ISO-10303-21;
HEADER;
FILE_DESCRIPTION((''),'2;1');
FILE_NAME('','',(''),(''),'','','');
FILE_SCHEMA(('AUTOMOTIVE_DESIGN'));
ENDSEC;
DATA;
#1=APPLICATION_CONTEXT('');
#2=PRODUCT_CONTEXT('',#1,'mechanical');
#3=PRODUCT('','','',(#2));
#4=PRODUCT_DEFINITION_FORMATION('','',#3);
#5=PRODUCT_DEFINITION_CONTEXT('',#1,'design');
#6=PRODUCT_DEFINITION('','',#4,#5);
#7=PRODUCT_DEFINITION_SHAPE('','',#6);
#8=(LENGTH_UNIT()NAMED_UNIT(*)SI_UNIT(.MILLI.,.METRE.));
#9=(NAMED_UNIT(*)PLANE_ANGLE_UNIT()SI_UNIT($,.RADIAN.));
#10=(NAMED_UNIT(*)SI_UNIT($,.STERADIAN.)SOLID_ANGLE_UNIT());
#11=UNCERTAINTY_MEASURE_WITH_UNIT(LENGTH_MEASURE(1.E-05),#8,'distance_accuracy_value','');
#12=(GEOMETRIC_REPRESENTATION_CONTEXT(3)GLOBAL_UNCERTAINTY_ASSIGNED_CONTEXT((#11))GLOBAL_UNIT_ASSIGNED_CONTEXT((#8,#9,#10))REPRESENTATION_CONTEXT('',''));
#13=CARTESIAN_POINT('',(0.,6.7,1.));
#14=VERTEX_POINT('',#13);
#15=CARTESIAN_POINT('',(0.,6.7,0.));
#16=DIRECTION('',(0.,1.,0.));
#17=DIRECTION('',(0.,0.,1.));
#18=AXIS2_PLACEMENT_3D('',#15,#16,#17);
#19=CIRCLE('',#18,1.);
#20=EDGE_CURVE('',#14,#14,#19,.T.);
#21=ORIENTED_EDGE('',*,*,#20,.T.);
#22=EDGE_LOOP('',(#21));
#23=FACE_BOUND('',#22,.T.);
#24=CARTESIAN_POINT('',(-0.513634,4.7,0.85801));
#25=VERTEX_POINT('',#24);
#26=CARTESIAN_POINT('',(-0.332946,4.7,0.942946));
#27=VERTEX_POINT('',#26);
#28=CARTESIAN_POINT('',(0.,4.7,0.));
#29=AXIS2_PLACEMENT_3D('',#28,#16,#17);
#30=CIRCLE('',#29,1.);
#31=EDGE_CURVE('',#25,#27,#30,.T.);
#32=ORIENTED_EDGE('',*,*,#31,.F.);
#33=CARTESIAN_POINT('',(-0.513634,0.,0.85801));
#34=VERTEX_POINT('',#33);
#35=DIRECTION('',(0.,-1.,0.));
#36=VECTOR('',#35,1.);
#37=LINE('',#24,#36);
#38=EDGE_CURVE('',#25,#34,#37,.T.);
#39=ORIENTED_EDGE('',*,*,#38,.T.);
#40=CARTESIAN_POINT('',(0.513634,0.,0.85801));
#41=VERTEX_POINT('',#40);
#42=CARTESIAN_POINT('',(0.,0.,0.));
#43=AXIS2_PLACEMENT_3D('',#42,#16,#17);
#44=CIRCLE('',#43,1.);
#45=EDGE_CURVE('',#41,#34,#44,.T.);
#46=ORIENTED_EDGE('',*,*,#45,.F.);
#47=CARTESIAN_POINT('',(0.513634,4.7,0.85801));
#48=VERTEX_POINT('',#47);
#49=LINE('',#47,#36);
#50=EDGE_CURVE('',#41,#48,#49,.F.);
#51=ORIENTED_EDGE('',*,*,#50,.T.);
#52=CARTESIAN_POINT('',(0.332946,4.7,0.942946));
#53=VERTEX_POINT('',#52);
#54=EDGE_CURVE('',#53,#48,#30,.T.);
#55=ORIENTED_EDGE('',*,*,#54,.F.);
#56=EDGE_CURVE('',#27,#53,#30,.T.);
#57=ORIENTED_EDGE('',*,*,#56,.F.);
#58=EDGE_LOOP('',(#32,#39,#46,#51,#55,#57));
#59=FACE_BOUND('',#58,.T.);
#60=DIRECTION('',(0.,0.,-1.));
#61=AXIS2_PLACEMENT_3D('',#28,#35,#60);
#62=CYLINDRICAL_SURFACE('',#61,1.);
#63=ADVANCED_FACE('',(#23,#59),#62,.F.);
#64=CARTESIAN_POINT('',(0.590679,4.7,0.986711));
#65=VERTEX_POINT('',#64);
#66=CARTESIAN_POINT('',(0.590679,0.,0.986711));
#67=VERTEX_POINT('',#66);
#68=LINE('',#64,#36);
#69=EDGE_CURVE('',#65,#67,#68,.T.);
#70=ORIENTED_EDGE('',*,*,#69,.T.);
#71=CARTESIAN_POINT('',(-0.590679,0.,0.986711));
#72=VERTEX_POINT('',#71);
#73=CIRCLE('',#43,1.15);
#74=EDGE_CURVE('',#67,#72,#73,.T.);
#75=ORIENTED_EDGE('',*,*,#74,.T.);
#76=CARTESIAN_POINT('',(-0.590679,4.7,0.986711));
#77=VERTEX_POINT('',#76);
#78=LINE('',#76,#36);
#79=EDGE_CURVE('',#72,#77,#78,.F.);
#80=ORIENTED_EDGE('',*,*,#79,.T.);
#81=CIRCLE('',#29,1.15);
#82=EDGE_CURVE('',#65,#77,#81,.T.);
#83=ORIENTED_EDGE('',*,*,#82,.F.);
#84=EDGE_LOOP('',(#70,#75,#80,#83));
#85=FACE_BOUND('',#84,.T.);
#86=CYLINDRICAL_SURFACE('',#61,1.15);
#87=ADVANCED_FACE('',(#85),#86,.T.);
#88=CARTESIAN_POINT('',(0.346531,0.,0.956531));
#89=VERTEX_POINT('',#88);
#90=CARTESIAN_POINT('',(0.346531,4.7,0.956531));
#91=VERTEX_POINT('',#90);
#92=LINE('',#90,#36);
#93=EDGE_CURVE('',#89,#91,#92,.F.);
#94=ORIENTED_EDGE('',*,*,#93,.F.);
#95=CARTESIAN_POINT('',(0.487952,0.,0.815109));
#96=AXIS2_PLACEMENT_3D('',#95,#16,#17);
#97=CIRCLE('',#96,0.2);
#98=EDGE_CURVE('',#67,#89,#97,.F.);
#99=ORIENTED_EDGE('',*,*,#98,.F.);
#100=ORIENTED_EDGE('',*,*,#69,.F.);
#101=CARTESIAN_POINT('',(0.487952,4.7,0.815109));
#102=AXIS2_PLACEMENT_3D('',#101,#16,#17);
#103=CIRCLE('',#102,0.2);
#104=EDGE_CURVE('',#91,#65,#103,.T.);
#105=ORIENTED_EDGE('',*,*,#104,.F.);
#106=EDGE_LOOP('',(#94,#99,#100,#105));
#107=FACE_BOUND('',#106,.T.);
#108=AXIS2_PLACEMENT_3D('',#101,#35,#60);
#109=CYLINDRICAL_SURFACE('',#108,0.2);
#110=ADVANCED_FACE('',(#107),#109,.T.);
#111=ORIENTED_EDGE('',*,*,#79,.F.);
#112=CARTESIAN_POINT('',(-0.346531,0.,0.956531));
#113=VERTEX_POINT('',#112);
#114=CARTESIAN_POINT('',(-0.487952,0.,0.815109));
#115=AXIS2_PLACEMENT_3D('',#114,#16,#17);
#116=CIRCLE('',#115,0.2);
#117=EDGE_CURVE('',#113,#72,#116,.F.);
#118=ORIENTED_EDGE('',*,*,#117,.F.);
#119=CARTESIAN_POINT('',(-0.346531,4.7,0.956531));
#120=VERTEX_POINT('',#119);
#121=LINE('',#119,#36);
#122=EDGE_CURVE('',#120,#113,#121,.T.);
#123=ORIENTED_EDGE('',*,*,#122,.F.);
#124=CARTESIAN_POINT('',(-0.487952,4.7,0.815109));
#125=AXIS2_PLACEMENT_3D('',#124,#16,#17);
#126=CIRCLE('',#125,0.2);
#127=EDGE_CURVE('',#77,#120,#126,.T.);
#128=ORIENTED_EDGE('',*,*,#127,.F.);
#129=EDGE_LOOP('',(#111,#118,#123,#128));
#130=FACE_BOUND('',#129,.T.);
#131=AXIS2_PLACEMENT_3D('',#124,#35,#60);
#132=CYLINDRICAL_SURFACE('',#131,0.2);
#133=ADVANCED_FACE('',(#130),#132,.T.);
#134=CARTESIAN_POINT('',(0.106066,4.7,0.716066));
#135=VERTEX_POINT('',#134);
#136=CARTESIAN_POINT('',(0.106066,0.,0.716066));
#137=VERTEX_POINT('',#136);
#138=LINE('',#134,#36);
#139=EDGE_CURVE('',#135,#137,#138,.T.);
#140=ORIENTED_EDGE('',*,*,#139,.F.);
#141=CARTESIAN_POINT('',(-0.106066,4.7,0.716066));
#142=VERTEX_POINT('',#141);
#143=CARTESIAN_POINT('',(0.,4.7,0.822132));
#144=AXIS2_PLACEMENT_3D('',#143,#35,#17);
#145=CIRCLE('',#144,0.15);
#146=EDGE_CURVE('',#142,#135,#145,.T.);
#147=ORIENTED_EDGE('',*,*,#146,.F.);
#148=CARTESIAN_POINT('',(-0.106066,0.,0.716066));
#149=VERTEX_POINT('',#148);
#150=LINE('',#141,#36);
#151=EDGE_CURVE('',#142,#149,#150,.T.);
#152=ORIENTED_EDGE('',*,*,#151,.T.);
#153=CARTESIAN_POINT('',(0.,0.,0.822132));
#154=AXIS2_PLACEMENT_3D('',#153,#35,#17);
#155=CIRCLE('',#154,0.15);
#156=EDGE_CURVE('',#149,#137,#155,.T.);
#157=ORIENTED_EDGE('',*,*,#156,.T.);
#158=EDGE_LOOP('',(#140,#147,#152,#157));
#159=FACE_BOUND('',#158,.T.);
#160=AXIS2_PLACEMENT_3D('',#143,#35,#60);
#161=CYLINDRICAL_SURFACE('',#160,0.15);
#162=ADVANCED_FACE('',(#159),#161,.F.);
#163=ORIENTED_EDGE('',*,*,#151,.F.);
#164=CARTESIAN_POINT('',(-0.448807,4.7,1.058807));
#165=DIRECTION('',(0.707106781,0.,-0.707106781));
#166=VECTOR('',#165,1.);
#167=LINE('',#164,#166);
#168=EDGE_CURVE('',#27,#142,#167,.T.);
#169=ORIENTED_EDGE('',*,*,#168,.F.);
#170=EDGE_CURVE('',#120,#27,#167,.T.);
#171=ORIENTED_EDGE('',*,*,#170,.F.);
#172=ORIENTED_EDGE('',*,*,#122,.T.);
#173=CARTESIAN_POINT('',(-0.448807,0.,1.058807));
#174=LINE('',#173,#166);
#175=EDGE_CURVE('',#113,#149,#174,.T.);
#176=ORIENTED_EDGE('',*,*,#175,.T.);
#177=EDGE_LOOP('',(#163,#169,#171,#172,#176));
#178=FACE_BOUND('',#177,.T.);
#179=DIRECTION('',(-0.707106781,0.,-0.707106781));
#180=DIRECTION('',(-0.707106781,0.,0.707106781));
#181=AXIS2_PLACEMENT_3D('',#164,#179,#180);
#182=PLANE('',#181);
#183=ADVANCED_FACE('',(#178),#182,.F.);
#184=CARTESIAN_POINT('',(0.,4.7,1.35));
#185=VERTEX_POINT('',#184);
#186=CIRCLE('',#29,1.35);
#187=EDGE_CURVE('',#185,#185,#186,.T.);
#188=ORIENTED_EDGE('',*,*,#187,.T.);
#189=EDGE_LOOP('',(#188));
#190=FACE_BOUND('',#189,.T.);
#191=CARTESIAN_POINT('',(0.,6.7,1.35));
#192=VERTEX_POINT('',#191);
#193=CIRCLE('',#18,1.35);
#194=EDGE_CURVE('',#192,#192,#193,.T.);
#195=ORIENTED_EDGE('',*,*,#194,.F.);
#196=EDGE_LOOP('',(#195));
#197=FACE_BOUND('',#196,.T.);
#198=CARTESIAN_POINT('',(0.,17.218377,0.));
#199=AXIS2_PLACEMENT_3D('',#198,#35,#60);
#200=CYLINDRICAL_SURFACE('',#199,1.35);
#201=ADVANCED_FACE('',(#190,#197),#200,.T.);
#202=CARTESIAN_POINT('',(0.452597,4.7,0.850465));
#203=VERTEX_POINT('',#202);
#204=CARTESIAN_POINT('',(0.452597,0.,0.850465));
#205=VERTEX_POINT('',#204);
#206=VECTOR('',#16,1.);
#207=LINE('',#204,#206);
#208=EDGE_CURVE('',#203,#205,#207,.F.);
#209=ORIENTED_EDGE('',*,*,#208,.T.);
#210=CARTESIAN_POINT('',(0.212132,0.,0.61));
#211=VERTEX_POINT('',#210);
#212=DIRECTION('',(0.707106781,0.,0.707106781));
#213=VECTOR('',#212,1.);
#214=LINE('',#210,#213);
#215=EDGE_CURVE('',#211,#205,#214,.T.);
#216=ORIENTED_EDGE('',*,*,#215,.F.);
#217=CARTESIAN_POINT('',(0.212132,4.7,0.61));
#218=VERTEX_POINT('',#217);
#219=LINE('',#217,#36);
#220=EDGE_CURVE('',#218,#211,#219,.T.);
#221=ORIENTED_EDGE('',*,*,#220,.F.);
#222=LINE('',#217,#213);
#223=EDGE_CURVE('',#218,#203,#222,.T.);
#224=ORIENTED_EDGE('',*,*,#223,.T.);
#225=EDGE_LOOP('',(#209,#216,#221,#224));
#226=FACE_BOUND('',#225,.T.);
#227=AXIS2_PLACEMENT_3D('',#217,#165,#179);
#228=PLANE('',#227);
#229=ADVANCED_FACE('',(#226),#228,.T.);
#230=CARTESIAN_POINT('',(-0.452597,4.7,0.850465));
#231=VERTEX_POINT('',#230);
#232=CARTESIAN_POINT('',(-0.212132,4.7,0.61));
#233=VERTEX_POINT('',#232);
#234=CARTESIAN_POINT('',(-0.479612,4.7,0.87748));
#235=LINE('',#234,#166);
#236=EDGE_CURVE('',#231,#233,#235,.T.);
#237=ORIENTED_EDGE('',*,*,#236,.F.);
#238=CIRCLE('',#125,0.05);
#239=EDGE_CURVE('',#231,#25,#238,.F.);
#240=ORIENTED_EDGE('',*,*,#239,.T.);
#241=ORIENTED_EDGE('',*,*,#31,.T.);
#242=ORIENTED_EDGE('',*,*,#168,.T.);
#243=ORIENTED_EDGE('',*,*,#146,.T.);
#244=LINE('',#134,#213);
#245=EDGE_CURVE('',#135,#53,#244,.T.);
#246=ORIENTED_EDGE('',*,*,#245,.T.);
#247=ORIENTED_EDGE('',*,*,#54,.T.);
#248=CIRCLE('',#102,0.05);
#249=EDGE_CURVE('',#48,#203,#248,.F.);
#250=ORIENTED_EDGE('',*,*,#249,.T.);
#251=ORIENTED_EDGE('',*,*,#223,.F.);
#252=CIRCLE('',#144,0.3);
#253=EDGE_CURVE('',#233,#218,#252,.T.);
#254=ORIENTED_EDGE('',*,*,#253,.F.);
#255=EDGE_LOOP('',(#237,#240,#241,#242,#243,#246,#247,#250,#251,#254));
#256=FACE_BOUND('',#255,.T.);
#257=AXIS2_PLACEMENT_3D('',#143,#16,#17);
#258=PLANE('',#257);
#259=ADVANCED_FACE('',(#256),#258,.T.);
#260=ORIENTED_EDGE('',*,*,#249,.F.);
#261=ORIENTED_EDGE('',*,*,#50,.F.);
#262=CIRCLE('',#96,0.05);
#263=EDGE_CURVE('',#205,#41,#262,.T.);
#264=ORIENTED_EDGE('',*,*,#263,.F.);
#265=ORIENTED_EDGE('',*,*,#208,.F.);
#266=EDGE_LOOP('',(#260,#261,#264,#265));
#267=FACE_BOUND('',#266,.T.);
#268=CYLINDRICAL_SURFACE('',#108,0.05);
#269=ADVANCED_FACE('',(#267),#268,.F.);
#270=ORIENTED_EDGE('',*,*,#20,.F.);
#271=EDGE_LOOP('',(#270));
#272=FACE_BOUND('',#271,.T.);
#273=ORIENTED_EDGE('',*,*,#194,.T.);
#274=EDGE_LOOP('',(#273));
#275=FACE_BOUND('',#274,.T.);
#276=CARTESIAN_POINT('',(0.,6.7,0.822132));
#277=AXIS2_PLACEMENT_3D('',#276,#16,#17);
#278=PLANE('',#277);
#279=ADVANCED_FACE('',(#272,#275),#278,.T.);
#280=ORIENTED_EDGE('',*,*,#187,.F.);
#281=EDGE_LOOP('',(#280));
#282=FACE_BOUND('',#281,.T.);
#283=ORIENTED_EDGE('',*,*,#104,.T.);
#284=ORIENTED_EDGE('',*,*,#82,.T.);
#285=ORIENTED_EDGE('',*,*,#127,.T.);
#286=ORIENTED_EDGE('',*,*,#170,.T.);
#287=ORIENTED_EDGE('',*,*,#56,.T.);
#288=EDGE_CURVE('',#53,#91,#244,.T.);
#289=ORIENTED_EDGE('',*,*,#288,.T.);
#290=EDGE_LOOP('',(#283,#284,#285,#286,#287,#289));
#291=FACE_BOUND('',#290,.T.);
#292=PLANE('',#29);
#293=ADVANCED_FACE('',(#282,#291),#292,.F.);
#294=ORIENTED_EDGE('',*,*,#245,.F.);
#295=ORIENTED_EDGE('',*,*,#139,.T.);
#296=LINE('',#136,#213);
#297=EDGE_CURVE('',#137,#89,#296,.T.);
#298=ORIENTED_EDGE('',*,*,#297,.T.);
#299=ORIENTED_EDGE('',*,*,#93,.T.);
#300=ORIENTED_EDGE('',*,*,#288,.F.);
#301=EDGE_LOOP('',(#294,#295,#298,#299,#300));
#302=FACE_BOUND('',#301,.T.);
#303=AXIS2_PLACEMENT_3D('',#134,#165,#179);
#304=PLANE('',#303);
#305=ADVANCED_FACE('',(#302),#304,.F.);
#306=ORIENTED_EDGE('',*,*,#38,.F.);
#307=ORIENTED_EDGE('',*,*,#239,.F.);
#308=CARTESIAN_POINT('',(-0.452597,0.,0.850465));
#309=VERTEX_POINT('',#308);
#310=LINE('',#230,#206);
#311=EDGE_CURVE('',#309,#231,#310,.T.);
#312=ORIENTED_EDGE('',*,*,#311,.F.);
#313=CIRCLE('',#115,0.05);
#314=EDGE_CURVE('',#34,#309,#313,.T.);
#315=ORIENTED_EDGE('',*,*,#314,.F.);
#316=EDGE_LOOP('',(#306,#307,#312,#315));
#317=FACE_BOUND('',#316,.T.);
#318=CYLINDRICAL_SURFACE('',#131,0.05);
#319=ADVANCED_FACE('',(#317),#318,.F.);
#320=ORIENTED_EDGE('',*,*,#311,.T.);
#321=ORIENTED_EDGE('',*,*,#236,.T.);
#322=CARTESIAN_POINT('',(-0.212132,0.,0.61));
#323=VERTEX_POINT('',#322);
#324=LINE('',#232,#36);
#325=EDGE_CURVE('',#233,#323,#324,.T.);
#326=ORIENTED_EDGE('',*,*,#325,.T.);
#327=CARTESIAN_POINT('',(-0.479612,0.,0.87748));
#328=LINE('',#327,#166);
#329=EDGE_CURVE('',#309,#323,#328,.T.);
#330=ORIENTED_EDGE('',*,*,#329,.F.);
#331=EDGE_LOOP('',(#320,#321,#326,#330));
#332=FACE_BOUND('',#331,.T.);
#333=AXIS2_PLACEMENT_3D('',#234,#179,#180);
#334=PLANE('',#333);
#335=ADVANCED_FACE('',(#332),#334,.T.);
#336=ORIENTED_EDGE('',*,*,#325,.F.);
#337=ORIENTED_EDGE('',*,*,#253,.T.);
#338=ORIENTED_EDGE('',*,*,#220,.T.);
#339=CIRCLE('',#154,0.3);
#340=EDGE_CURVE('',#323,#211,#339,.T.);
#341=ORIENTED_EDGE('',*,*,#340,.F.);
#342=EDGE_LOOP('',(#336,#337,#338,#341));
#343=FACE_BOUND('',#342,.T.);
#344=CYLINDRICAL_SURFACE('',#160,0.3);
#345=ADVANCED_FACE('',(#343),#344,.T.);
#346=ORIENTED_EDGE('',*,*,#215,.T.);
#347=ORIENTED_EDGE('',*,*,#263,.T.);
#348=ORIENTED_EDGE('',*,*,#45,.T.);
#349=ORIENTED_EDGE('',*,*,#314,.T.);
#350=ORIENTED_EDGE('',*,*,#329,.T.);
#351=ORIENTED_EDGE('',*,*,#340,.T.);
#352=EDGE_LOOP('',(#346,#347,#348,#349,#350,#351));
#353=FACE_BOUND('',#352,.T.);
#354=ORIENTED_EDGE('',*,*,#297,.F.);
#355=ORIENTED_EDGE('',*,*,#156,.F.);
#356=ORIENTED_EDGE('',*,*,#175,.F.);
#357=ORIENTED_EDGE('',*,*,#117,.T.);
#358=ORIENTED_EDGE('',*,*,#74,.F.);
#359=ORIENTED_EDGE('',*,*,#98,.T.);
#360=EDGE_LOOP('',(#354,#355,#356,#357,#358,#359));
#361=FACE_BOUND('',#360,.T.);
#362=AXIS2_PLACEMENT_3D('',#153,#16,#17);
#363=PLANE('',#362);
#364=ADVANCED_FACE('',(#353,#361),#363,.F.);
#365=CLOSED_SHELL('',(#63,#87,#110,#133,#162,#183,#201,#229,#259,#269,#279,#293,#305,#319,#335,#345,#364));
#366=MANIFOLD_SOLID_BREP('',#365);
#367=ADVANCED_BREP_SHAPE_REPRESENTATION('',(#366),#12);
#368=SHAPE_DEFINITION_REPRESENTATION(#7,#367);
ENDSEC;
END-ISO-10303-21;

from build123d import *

# Parameters (mm, degrees)
BOSS_EXTRUDE1_DEPTH = 4.7
FILLET1_R           = 0.05
FILLET2_R           = 0.2
SKETCH2_R           = 1.35
SKETCH2_R_2         = 1
BOSS_EXTRUDE2_DEPTH = 2


with BuildPart() as part:
    # Sketch1 → Boss-Extrude1 (new body)
    with BuildSketch(Plane(origin=(0, 0, 0), x_dir=(1, 0, 0), z_dir=(0, 1, 0))):
        with BuildLine():
            Line((-0.448807004, -1.058807004), (-0.106066017, -0.716066017))
            ThreePointArc((-0.106066017, -0.716066017), (0, -0.672132034), (0.106066017, -0.716066017))
            Line((0.106066017, -0.716066017), (0.448807004, -1.058807004))
            ThreePointArc((0.448807004, -1.058807004), (0, 1.15), (-0.448807004, -1.058807004))
        make_face()
        with BuildLine():
            Line((-0.479612457, -0.877480422), (-0.212132034, -0.61))
            ThreePointArc((-0.212132034, -0.61), (0, -0.522132034), (0.212132034, -0.61))
            Line((0.212132034, -0.61), (0.479612457, -0.877480422))
            ThreePointArc((0.479612457, -0.877480422), (0, 1), (-0.479612457, -0.877480422))
        make_face(mode=Mode.SUBTRACT)
    extrude(amount=BOSS_EXTRUDE1_DEPTH)

    # Fillet1
    fillet1_edges = [part.edges().sort_by_distance(p)[0] for p in [
        (0.479612457, 2.35, 0.877480422),
        (-0.479612457, 2.35, 0.877480422),
    ]]
    fillet(fillet1_edges, radius=FILLET1_R)

    # Fillet2
    fillet2_edges = [part.edges().sort_by_distance(p)[0] for p in [
        (-0.448807004, 2.35, 1.058807004),
        (0.448807004, 2.35, 1.058807004),
    ]]
    fillet(fillet2_edges, radius=FILLET2_R)

    # Sketch2 → Boss-Extrude2 (add)
    with BuildSketch(Plane(origin=(0, 4.7, 0), x_dir=(1, 0, 0), z_dir=(0, 1, 0))):
        Circle(SKETCH2_R)
        Circle(SKETCH2_R_2, mode=Mode.SUBTRACT)
    extrude(amount=BOSS_EXTRUDE2_DEPTH)


solid = part.part
